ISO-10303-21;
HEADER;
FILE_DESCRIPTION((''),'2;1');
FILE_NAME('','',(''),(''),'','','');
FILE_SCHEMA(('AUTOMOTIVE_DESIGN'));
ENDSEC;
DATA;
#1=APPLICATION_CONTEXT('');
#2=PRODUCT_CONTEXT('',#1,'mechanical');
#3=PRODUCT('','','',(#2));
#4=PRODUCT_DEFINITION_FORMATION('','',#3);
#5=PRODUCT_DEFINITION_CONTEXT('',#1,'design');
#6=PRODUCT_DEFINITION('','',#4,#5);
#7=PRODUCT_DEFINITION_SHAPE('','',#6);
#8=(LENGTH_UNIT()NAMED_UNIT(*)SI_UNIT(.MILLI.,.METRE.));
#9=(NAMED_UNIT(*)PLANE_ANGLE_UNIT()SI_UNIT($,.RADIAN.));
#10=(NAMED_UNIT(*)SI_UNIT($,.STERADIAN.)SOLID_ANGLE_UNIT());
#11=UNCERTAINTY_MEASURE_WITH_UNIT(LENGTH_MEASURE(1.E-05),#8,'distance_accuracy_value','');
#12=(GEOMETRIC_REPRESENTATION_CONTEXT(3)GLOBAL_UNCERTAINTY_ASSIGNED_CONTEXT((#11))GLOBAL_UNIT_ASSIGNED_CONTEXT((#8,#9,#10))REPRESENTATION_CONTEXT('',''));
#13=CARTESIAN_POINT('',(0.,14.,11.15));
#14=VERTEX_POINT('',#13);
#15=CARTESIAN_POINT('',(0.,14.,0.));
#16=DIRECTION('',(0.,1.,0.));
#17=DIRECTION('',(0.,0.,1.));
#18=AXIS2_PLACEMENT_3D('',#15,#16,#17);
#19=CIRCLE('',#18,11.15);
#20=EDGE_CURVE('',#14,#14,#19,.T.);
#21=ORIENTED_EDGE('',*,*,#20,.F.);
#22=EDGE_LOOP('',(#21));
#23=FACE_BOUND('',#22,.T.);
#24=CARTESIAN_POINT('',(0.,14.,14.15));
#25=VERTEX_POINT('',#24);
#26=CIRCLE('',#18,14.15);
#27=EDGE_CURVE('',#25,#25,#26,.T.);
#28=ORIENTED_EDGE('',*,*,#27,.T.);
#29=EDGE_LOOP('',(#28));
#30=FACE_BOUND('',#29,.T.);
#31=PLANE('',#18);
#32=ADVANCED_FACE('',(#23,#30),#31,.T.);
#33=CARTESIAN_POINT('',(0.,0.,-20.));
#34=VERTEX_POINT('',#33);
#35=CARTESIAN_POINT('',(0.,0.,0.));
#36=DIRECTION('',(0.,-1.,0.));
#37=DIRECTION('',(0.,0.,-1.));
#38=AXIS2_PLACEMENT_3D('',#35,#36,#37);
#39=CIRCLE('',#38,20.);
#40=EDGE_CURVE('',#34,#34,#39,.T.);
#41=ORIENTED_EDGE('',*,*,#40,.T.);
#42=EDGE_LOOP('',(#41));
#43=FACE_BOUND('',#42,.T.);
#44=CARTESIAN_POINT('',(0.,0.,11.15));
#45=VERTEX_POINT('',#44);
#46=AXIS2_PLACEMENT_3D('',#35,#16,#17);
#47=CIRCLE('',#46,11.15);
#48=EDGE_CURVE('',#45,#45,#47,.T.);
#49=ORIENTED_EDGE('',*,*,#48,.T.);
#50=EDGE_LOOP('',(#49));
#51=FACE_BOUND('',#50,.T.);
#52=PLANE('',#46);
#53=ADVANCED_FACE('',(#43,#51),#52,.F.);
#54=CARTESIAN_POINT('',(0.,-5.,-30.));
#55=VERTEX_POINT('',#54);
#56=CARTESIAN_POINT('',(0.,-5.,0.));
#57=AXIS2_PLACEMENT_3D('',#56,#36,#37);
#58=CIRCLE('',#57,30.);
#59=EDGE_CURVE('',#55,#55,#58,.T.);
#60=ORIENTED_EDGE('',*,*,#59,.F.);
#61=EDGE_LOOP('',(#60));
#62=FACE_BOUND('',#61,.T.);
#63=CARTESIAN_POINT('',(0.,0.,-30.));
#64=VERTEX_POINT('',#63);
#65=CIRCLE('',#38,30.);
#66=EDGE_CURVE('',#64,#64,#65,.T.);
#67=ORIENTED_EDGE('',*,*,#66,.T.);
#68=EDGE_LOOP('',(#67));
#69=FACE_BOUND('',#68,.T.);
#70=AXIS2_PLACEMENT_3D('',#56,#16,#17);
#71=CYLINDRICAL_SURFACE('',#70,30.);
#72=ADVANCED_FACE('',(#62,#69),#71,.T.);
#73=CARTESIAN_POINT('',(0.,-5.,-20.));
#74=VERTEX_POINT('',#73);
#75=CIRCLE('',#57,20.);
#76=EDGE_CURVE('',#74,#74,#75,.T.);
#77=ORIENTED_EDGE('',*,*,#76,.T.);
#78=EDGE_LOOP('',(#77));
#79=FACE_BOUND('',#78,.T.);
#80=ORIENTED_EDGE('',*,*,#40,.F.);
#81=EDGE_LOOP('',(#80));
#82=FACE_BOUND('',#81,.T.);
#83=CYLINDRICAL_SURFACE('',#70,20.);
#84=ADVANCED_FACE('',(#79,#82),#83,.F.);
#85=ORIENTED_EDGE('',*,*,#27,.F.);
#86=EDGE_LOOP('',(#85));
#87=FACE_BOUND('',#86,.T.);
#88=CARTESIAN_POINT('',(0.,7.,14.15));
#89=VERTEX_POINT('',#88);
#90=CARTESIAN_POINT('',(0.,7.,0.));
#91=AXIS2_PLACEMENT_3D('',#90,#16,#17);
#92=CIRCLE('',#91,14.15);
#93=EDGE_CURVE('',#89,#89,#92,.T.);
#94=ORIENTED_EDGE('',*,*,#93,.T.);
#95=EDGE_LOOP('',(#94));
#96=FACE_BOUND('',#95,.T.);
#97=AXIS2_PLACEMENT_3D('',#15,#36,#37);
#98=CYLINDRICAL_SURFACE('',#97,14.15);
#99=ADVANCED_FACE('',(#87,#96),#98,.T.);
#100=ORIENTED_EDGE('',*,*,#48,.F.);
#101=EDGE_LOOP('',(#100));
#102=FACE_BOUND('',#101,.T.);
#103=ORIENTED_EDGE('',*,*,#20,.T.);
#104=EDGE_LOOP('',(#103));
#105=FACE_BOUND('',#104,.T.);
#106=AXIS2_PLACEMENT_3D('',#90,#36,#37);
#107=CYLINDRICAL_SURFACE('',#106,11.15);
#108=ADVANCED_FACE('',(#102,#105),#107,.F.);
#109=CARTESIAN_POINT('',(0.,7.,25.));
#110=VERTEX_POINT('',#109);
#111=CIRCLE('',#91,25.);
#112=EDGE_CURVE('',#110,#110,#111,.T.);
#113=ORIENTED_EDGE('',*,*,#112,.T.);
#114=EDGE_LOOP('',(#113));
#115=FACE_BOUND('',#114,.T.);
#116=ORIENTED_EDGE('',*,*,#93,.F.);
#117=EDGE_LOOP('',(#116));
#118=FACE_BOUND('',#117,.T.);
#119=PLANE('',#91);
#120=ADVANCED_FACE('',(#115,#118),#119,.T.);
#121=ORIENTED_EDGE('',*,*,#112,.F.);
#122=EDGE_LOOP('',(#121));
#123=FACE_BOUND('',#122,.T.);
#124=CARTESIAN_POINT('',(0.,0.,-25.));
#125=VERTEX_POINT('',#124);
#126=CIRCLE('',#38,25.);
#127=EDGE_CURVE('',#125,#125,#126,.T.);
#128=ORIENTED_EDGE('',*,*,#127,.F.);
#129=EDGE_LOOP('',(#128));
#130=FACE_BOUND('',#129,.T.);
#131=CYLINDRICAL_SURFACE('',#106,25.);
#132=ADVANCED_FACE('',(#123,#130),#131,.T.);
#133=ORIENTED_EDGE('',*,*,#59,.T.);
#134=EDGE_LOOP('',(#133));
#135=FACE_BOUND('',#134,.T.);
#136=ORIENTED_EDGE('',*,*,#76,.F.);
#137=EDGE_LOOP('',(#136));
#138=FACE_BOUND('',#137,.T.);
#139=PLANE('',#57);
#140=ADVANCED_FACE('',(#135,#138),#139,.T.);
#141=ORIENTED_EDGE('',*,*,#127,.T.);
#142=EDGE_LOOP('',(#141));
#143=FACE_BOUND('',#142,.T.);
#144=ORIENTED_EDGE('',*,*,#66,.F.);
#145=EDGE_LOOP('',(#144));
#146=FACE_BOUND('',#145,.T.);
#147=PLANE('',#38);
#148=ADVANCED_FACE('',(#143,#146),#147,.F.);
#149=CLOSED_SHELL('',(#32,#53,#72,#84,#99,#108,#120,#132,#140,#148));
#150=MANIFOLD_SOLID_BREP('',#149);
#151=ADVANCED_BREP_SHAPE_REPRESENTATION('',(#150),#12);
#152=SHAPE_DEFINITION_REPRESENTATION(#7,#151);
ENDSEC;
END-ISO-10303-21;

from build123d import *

# Parameters (mm, degrees)
SKETCH1_R           = 25
SKETCH1_R_2         = 11.15
BOSS_EXTRUDE1_DEPTH = 7
SKETCH2_R           = 14.15
SKETCH2_R_2         = 11.15
BOSS_EXTRUDE2_DEPTH = 7
SKETCH3_R           = 30
SKETCH3_R_2         = 20
BOSS_EXTRUDE3_DEPTH = 5


with BuildPart() as part:
    # Sketch1 → Boss-Extrude1 (new body)
    with BuildSketch(Plane(origin=(0, 0, 0), x_dir=(1, 0, 0), z_dir=(0, 1, 0))):
        with Locations(Location((0, 0, 0), (0, 0, 270))):
            Circle(SKETCH1_R)
        with Locations(Location((0, 0, 0), (0, 0, 270))):
            Circle(SKETCH1_R_2, mode=Mode.SUBTRACT)
    extrude(amount=BOSS_EXTRUDE1_DEPTH)

    # Sketch2 → Boss-Extrude2 (add)
    with BuildSketch(Plane(origin=(0, 7, 0), x_dir=(1, 0, 0), z_dir=(0, 1, 0))):
        with Locations(Location((0, 0, 0), (0, 0, 270))):
            Circle(SKETCH2_R)
        with Locations(Location((0, 0, 0), (0, 0, 270))):
            Circle(SKETCH2_R_2, mode=Mode.SUBTRACT)
    extrude(amount=BOSS_EXTRUDE2_DEPTH)

    # Sketch3 → Boss-Extrude3 (add)
    with BuildSketch(Plane.XZ):
        with Locations(Location((0, 0, 0), (0, 0, 270))):
            Circle(SKETCH3_R)
        with Locations(Location((0, 0, 0), (0, 0, 270))):
            Circle(SKETCH3_R_2, mode=Mode.SUBTRACT)
    extrude(amount=BOSS_EXTRUDE3_DEPTH)


solid = part.part
